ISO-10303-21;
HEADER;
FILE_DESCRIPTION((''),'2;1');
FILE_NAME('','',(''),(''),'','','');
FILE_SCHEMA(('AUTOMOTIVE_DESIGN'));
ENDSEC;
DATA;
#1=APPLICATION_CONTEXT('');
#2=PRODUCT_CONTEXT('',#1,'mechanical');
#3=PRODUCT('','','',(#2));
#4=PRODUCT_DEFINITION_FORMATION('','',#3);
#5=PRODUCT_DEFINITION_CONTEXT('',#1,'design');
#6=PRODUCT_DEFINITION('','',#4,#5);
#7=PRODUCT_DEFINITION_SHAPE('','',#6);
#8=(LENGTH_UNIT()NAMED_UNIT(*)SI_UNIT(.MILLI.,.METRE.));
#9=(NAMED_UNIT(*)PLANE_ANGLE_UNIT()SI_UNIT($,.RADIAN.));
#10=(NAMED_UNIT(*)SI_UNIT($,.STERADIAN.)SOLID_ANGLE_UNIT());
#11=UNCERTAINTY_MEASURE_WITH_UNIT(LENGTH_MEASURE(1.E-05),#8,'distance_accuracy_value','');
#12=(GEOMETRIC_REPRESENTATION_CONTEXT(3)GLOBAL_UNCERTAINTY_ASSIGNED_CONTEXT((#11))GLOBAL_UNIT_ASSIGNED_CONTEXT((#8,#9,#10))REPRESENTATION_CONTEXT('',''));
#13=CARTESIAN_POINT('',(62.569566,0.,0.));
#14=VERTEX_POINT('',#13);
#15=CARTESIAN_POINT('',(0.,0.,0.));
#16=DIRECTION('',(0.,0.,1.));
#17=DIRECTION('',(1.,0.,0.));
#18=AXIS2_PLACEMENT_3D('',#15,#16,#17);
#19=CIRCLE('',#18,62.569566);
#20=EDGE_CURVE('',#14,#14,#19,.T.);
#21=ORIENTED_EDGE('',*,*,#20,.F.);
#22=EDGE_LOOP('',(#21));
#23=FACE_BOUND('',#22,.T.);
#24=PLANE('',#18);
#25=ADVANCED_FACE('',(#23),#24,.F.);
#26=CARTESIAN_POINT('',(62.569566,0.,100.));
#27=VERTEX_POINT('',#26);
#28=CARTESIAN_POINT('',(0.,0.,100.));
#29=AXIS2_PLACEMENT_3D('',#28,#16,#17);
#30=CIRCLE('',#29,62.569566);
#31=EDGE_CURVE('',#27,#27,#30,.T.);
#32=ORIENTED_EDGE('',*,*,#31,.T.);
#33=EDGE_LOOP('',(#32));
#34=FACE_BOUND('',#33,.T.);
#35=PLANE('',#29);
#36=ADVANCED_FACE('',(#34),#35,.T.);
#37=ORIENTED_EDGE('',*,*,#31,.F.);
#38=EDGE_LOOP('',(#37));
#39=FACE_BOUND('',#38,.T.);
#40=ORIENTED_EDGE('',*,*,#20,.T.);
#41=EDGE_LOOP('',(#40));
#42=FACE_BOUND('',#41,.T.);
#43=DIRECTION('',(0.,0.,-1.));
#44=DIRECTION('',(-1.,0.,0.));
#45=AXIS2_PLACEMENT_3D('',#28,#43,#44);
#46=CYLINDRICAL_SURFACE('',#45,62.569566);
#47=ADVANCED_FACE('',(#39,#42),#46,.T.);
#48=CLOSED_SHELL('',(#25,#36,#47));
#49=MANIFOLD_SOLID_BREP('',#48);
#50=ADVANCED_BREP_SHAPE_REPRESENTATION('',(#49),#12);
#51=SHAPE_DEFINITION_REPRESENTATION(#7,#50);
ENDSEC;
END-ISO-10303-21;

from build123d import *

# Parameters (mm, degrees)
SKETCH_2_R      = 62.569566228
EXTRUDE_2_DEPTH = 100


with BuildPart() as part:
    # 草图2 → 凸台-拉伸2 (new body)
    with BuildSketch(Plane.XY):
        Circle(SKETCH_2_R)
    extrude(amount=EXTRUDE_2_DEPTH)


solid = part.part
